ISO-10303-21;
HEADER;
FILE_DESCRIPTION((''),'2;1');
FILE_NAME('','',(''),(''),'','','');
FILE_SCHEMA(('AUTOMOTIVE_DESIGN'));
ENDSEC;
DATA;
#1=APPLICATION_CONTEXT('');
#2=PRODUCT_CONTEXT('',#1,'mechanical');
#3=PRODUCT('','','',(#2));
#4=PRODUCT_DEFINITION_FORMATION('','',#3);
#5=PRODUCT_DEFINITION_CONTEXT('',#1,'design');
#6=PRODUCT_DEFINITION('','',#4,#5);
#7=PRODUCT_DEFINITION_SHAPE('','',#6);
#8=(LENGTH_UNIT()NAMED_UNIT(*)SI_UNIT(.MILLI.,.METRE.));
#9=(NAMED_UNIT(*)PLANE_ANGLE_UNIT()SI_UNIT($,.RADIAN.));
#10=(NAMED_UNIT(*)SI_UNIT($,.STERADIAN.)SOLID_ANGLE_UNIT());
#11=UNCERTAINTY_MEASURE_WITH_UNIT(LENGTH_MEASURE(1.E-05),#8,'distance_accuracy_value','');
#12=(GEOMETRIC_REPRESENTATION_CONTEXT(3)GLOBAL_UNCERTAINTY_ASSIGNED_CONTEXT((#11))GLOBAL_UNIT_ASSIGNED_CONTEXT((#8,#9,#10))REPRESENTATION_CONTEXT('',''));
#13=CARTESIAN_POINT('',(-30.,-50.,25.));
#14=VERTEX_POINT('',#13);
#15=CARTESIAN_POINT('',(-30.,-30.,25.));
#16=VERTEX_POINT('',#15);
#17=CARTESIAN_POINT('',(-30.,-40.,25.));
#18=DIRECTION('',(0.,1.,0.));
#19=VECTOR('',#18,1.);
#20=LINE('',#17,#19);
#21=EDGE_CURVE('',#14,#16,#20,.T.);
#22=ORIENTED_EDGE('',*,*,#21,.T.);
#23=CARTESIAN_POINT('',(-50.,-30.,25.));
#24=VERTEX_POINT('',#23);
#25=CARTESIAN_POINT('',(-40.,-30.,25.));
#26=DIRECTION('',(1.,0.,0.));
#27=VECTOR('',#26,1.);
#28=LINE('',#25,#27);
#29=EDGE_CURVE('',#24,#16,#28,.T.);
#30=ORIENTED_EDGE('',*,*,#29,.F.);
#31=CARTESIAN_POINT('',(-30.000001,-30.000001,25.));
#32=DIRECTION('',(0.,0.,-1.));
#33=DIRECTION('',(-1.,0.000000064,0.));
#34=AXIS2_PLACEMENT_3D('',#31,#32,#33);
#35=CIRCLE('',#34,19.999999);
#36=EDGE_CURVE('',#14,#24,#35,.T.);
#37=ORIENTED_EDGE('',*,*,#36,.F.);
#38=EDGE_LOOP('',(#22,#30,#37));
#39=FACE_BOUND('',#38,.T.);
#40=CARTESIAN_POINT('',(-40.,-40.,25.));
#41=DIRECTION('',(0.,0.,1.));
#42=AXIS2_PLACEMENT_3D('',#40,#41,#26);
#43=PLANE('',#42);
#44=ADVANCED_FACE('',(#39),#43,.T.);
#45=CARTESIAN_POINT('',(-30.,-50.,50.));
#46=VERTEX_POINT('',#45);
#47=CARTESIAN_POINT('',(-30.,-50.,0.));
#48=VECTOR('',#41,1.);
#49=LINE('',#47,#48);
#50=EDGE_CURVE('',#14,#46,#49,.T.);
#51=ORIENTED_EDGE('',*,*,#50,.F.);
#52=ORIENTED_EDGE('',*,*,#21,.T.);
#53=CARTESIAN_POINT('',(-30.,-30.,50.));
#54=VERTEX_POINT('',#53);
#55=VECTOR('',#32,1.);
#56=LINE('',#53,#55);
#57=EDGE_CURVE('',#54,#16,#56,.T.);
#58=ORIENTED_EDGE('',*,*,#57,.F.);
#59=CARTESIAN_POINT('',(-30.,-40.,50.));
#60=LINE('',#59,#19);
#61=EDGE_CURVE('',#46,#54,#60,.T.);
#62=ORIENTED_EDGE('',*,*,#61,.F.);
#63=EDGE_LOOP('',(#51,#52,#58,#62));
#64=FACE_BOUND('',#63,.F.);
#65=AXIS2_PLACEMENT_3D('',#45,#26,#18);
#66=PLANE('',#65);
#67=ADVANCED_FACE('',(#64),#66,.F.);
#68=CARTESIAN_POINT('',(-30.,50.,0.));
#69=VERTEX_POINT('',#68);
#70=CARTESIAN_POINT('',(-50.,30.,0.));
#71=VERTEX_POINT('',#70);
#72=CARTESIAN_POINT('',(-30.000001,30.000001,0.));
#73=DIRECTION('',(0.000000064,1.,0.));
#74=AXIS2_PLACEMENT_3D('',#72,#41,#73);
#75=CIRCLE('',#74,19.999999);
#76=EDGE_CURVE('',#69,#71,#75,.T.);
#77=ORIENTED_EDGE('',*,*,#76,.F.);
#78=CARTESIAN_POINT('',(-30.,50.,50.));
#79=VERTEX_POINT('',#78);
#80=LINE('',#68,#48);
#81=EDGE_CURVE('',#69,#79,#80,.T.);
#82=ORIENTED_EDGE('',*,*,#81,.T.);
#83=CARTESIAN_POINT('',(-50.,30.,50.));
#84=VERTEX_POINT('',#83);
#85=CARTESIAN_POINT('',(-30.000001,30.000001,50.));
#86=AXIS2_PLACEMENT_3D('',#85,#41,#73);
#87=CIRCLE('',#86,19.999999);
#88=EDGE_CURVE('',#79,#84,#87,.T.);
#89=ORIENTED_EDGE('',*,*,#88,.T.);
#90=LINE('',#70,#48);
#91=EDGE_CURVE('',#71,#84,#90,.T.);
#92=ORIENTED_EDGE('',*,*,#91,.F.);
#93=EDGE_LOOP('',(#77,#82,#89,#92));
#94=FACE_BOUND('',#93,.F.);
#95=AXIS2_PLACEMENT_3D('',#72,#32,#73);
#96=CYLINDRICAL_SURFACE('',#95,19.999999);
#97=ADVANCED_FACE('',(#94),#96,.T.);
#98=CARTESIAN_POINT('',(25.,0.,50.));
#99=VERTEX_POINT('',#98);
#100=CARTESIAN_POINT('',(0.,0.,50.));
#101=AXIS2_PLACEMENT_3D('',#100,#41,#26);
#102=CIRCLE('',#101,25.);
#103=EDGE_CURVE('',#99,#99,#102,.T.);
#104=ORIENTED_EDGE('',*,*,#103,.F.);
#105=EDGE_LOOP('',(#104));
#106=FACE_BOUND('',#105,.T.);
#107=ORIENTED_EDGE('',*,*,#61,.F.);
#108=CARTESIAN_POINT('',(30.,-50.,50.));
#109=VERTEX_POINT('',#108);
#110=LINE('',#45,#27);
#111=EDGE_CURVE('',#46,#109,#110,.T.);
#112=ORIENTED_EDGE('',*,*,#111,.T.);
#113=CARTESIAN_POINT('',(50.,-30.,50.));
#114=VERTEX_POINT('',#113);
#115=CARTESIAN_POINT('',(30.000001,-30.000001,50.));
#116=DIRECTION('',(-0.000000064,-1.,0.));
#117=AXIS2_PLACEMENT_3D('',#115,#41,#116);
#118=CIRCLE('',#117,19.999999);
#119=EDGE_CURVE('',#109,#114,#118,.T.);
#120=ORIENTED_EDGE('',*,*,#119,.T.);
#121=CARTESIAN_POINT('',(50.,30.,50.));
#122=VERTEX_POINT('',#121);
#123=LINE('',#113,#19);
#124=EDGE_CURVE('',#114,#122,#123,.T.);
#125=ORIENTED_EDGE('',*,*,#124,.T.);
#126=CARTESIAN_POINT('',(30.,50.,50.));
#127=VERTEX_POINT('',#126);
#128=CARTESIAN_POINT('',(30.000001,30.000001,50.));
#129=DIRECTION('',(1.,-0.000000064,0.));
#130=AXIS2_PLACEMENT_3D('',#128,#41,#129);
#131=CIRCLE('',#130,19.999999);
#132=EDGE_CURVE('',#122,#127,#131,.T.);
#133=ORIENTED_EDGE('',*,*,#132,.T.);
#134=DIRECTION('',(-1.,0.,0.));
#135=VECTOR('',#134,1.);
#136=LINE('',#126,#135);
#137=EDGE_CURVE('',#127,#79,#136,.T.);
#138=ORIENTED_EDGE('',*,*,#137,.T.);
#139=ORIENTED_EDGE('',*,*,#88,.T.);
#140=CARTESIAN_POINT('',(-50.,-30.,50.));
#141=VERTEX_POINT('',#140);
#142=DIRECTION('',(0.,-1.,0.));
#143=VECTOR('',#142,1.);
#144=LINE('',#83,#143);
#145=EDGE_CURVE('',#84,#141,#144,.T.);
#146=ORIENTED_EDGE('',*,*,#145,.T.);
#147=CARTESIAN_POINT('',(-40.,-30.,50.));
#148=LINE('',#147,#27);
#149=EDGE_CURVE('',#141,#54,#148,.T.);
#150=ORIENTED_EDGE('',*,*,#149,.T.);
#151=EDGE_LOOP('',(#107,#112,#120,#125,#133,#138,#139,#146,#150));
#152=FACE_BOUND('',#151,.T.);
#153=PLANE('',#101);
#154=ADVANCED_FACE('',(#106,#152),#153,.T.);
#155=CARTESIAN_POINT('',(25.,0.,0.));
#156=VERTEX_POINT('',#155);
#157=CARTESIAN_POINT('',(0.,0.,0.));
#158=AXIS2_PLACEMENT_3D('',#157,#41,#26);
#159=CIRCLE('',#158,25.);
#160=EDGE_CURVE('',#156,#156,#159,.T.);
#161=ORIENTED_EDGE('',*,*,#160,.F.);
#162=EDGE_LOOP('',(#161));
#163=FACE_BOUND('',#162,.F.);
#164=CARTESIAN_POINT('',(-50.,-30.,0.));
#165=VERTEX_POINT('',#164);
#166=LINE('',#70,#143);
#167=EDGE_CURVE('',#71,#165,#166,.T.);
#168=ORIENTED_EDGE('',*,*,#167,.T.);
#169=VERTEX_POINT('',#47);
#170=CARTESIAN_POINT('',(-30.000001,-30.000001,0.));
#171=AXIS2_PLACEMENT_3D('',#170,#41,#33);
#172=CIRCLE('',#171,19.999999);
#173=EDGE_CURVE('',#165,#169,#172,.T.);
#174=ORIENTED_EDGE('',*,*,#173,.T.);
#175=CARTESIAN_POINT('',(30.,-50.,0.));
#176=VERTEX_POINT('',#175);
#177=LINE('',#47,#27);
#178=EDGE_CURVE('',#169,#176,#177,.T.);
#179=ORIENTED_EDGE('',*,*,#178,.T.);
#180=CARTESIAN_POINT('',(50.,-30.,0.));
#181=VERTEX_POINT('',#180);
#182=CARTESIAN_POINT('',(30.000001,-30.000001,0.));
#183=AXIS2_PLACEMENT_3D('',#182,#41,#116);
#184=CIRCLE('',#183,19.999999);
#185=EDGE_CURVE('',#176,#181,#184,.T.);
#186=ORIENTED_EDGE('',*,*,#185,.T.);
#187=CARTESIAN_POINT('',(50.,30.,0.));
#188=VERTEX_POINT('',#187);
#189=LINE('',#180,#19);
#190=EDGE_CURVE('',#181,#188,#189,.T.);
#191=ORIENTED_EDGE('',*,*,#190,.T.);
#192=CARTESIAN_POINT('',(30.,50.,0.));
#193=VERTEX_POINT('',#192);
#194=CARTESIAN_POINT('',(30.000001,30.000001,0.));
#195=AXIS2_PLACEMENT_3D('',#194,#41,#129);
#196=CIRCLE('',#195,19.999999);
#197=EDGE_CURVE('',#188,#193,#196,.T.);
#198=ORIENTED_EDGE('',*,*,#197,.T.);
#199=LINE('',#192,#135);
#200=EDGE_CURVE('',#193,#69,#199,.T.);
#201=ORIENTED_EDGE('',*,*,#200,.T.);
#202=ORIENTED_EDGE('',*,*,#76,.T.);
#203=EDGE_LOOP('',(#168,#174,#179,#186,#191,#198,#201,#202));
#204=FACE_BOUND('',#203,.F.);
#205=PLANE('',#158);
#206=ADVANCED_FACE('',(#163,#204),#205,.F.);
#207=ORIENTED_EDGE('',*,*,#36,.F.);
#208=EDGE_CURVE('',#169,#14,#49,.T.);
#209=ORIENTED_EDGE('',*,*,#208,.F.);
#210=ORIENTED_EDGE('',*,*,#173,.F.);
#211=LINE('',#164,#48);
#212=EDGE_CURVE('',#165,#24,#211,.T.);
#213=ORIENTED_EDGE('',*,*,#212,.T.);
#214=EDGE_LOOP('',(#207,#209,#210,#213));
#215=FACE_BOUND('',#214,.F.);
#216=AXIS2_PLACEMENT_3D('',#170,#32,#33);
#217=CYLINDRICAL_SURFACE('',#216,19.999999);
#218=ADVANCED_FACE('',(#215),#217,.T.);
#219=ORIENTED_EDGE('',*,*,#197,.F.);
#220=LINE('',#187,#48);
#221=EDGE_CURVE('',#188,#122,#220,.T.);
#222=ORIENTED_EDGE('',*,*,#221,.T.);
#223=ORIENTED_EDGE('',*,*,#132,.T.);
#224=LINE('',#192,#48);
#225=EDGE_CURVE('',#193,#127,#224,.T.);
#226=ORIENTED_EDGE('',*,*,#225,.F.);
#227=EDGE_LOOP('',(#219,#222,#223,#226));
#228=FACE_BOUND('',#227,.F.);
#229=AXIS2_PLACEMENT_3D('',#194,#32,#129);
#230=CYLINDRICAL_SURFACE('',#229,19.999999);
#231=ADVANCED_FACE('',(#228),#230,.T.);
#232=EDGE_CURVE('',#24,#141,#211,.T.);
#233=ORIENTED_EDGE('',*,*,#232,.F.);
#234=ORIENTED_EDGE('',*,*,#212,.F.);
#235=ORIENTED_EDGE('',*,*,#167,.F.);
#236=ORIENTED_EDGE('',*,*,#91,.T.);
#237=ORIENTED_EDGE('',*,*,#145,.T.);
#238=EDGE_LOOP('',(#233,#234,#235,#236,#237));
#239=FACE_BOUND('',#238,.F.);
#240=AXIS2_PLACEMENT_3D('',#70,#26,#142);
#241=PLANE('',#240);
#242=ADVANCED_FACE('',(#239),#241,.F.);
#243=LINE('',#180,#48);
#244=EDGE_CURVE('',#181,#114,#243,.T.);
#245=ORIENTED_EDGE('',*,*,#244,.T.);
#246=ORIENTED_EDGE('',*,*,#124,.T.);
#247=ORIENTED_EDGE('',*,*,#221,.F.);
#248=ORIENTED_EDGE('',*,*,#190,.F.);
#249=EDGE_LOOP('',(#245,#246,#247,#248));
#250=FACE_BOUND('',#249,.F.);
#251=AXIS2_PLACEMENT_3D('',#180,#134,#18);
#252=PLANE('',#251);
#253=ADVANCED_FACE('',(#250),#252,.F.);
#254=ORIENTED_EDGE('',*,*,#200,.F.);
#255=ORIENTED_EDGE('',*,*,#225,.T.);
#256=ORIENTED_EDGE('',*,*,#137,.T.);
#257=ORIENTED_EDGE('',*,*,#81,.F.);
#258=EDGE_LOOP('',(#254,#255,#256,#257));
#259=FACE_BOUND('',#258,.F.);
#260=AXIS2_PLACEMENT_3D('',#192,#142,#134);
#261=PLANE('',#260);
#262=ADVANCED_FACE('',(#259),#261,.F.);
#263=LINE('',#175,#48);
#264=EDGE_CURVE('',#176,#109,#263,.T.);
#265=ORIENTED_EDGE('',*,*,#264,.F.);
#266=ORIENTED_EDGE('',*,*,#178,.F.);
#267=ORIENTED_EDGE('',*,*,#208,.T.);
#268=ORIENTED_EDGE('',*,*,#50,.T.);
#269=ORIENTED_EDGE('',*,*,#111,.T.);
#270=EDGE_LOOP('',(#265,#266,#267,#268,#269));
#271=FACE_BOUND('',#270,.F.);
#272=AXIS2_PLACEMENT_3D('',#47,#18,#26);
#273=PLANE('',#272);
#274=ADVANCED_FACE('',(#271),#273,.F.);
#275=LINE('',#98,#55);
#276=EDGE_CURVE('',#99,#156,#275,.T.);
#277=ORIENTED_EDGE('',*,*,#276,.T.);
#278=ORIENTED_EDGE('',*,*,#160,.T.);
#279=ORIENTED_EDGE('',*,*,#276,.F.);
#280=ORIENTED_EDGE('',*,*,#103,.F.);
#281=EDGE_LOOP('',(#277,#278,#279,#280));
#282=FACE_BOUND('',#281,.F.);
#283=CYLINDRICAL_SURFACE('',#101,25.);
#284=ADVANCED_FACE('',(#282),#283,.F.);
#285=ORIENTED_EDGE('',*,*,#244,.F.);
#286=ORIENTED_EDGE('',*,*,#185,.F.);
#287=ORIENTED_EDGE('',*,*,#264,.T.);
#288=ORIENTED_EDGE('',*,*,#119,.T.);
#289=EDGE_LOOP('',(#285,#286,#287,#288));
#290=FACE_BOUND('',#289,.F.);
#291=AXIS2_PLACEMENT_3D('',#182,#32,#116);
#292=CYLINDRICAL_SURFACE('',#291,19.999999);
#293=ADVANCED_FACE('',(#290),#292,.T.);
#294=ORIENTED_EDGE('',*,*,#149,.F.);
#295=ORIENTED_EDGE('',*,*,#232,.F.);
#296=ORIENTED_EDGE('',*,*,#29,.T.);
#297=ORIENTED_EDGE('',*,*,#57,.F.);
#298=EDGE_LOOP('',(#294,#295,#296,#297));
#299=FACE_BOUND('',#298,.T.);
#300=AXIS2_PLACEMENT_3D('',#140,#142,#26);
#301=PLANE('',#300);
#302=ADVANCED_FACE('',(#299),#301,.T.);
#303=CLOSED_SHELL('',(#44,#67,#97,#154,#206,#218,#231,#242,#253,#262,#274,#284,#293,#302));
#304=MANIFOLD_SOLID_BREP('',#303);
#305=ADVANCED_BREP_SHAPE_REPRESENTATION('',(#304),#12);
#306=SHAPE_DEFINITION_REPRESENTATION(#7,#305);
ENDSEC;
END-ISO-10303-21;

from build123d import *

# Parameters (mm, degrees)
F1_DEPTH = 50
F2_R     = 25
F3_DEPTH = 50.001
F4_W     = 20
F4_H     = 20
F5_DEPTH = 25


with BuildPart() as f1:
    # F0 (on Top) → F1 (new body)
    with BuildSketch(Plane.XY):
        with BuildLine():
            ThreePointArc((50, 30), (44.142136, 44.142136), (30, 50))
            Line((30, 50), (-30, 50))
            ThreePointArc((-30, 50), (-44.142136, 44.142136), (-50, 30))
            Line((-50, 30), (-50, -30))
            ThreePointArc((-50, -30), (-44.142136, -44.142136), (-30, -50))
            Line((-30, -50), (30, -50))
            ThreePointArc((30, -50), (44.142136, -44.142136), (50, -30))
            Line((50, -30), (50, 30))
        make_face()
    extrude(amount=F1_DEPTH)

    # F2 (on face) → F3 (cut, through all)
    with BuildSketch(Plane.XY.offset(50)):
        Circle(F2_R)
    extrude(amount=-F3_DEPTH, mode=Mode.SUBTRACT)

    # F4 (on face) → F5 (cut)
    with BuildSketch(Plane.XY.offset(50)):
        with Locations((-40, -40)):
            Rectangle(F4_W, F4_H)
    extrude(amount=-F5_DEPTH, mode=Mode.SUBTRACT)


solid = f1.part
